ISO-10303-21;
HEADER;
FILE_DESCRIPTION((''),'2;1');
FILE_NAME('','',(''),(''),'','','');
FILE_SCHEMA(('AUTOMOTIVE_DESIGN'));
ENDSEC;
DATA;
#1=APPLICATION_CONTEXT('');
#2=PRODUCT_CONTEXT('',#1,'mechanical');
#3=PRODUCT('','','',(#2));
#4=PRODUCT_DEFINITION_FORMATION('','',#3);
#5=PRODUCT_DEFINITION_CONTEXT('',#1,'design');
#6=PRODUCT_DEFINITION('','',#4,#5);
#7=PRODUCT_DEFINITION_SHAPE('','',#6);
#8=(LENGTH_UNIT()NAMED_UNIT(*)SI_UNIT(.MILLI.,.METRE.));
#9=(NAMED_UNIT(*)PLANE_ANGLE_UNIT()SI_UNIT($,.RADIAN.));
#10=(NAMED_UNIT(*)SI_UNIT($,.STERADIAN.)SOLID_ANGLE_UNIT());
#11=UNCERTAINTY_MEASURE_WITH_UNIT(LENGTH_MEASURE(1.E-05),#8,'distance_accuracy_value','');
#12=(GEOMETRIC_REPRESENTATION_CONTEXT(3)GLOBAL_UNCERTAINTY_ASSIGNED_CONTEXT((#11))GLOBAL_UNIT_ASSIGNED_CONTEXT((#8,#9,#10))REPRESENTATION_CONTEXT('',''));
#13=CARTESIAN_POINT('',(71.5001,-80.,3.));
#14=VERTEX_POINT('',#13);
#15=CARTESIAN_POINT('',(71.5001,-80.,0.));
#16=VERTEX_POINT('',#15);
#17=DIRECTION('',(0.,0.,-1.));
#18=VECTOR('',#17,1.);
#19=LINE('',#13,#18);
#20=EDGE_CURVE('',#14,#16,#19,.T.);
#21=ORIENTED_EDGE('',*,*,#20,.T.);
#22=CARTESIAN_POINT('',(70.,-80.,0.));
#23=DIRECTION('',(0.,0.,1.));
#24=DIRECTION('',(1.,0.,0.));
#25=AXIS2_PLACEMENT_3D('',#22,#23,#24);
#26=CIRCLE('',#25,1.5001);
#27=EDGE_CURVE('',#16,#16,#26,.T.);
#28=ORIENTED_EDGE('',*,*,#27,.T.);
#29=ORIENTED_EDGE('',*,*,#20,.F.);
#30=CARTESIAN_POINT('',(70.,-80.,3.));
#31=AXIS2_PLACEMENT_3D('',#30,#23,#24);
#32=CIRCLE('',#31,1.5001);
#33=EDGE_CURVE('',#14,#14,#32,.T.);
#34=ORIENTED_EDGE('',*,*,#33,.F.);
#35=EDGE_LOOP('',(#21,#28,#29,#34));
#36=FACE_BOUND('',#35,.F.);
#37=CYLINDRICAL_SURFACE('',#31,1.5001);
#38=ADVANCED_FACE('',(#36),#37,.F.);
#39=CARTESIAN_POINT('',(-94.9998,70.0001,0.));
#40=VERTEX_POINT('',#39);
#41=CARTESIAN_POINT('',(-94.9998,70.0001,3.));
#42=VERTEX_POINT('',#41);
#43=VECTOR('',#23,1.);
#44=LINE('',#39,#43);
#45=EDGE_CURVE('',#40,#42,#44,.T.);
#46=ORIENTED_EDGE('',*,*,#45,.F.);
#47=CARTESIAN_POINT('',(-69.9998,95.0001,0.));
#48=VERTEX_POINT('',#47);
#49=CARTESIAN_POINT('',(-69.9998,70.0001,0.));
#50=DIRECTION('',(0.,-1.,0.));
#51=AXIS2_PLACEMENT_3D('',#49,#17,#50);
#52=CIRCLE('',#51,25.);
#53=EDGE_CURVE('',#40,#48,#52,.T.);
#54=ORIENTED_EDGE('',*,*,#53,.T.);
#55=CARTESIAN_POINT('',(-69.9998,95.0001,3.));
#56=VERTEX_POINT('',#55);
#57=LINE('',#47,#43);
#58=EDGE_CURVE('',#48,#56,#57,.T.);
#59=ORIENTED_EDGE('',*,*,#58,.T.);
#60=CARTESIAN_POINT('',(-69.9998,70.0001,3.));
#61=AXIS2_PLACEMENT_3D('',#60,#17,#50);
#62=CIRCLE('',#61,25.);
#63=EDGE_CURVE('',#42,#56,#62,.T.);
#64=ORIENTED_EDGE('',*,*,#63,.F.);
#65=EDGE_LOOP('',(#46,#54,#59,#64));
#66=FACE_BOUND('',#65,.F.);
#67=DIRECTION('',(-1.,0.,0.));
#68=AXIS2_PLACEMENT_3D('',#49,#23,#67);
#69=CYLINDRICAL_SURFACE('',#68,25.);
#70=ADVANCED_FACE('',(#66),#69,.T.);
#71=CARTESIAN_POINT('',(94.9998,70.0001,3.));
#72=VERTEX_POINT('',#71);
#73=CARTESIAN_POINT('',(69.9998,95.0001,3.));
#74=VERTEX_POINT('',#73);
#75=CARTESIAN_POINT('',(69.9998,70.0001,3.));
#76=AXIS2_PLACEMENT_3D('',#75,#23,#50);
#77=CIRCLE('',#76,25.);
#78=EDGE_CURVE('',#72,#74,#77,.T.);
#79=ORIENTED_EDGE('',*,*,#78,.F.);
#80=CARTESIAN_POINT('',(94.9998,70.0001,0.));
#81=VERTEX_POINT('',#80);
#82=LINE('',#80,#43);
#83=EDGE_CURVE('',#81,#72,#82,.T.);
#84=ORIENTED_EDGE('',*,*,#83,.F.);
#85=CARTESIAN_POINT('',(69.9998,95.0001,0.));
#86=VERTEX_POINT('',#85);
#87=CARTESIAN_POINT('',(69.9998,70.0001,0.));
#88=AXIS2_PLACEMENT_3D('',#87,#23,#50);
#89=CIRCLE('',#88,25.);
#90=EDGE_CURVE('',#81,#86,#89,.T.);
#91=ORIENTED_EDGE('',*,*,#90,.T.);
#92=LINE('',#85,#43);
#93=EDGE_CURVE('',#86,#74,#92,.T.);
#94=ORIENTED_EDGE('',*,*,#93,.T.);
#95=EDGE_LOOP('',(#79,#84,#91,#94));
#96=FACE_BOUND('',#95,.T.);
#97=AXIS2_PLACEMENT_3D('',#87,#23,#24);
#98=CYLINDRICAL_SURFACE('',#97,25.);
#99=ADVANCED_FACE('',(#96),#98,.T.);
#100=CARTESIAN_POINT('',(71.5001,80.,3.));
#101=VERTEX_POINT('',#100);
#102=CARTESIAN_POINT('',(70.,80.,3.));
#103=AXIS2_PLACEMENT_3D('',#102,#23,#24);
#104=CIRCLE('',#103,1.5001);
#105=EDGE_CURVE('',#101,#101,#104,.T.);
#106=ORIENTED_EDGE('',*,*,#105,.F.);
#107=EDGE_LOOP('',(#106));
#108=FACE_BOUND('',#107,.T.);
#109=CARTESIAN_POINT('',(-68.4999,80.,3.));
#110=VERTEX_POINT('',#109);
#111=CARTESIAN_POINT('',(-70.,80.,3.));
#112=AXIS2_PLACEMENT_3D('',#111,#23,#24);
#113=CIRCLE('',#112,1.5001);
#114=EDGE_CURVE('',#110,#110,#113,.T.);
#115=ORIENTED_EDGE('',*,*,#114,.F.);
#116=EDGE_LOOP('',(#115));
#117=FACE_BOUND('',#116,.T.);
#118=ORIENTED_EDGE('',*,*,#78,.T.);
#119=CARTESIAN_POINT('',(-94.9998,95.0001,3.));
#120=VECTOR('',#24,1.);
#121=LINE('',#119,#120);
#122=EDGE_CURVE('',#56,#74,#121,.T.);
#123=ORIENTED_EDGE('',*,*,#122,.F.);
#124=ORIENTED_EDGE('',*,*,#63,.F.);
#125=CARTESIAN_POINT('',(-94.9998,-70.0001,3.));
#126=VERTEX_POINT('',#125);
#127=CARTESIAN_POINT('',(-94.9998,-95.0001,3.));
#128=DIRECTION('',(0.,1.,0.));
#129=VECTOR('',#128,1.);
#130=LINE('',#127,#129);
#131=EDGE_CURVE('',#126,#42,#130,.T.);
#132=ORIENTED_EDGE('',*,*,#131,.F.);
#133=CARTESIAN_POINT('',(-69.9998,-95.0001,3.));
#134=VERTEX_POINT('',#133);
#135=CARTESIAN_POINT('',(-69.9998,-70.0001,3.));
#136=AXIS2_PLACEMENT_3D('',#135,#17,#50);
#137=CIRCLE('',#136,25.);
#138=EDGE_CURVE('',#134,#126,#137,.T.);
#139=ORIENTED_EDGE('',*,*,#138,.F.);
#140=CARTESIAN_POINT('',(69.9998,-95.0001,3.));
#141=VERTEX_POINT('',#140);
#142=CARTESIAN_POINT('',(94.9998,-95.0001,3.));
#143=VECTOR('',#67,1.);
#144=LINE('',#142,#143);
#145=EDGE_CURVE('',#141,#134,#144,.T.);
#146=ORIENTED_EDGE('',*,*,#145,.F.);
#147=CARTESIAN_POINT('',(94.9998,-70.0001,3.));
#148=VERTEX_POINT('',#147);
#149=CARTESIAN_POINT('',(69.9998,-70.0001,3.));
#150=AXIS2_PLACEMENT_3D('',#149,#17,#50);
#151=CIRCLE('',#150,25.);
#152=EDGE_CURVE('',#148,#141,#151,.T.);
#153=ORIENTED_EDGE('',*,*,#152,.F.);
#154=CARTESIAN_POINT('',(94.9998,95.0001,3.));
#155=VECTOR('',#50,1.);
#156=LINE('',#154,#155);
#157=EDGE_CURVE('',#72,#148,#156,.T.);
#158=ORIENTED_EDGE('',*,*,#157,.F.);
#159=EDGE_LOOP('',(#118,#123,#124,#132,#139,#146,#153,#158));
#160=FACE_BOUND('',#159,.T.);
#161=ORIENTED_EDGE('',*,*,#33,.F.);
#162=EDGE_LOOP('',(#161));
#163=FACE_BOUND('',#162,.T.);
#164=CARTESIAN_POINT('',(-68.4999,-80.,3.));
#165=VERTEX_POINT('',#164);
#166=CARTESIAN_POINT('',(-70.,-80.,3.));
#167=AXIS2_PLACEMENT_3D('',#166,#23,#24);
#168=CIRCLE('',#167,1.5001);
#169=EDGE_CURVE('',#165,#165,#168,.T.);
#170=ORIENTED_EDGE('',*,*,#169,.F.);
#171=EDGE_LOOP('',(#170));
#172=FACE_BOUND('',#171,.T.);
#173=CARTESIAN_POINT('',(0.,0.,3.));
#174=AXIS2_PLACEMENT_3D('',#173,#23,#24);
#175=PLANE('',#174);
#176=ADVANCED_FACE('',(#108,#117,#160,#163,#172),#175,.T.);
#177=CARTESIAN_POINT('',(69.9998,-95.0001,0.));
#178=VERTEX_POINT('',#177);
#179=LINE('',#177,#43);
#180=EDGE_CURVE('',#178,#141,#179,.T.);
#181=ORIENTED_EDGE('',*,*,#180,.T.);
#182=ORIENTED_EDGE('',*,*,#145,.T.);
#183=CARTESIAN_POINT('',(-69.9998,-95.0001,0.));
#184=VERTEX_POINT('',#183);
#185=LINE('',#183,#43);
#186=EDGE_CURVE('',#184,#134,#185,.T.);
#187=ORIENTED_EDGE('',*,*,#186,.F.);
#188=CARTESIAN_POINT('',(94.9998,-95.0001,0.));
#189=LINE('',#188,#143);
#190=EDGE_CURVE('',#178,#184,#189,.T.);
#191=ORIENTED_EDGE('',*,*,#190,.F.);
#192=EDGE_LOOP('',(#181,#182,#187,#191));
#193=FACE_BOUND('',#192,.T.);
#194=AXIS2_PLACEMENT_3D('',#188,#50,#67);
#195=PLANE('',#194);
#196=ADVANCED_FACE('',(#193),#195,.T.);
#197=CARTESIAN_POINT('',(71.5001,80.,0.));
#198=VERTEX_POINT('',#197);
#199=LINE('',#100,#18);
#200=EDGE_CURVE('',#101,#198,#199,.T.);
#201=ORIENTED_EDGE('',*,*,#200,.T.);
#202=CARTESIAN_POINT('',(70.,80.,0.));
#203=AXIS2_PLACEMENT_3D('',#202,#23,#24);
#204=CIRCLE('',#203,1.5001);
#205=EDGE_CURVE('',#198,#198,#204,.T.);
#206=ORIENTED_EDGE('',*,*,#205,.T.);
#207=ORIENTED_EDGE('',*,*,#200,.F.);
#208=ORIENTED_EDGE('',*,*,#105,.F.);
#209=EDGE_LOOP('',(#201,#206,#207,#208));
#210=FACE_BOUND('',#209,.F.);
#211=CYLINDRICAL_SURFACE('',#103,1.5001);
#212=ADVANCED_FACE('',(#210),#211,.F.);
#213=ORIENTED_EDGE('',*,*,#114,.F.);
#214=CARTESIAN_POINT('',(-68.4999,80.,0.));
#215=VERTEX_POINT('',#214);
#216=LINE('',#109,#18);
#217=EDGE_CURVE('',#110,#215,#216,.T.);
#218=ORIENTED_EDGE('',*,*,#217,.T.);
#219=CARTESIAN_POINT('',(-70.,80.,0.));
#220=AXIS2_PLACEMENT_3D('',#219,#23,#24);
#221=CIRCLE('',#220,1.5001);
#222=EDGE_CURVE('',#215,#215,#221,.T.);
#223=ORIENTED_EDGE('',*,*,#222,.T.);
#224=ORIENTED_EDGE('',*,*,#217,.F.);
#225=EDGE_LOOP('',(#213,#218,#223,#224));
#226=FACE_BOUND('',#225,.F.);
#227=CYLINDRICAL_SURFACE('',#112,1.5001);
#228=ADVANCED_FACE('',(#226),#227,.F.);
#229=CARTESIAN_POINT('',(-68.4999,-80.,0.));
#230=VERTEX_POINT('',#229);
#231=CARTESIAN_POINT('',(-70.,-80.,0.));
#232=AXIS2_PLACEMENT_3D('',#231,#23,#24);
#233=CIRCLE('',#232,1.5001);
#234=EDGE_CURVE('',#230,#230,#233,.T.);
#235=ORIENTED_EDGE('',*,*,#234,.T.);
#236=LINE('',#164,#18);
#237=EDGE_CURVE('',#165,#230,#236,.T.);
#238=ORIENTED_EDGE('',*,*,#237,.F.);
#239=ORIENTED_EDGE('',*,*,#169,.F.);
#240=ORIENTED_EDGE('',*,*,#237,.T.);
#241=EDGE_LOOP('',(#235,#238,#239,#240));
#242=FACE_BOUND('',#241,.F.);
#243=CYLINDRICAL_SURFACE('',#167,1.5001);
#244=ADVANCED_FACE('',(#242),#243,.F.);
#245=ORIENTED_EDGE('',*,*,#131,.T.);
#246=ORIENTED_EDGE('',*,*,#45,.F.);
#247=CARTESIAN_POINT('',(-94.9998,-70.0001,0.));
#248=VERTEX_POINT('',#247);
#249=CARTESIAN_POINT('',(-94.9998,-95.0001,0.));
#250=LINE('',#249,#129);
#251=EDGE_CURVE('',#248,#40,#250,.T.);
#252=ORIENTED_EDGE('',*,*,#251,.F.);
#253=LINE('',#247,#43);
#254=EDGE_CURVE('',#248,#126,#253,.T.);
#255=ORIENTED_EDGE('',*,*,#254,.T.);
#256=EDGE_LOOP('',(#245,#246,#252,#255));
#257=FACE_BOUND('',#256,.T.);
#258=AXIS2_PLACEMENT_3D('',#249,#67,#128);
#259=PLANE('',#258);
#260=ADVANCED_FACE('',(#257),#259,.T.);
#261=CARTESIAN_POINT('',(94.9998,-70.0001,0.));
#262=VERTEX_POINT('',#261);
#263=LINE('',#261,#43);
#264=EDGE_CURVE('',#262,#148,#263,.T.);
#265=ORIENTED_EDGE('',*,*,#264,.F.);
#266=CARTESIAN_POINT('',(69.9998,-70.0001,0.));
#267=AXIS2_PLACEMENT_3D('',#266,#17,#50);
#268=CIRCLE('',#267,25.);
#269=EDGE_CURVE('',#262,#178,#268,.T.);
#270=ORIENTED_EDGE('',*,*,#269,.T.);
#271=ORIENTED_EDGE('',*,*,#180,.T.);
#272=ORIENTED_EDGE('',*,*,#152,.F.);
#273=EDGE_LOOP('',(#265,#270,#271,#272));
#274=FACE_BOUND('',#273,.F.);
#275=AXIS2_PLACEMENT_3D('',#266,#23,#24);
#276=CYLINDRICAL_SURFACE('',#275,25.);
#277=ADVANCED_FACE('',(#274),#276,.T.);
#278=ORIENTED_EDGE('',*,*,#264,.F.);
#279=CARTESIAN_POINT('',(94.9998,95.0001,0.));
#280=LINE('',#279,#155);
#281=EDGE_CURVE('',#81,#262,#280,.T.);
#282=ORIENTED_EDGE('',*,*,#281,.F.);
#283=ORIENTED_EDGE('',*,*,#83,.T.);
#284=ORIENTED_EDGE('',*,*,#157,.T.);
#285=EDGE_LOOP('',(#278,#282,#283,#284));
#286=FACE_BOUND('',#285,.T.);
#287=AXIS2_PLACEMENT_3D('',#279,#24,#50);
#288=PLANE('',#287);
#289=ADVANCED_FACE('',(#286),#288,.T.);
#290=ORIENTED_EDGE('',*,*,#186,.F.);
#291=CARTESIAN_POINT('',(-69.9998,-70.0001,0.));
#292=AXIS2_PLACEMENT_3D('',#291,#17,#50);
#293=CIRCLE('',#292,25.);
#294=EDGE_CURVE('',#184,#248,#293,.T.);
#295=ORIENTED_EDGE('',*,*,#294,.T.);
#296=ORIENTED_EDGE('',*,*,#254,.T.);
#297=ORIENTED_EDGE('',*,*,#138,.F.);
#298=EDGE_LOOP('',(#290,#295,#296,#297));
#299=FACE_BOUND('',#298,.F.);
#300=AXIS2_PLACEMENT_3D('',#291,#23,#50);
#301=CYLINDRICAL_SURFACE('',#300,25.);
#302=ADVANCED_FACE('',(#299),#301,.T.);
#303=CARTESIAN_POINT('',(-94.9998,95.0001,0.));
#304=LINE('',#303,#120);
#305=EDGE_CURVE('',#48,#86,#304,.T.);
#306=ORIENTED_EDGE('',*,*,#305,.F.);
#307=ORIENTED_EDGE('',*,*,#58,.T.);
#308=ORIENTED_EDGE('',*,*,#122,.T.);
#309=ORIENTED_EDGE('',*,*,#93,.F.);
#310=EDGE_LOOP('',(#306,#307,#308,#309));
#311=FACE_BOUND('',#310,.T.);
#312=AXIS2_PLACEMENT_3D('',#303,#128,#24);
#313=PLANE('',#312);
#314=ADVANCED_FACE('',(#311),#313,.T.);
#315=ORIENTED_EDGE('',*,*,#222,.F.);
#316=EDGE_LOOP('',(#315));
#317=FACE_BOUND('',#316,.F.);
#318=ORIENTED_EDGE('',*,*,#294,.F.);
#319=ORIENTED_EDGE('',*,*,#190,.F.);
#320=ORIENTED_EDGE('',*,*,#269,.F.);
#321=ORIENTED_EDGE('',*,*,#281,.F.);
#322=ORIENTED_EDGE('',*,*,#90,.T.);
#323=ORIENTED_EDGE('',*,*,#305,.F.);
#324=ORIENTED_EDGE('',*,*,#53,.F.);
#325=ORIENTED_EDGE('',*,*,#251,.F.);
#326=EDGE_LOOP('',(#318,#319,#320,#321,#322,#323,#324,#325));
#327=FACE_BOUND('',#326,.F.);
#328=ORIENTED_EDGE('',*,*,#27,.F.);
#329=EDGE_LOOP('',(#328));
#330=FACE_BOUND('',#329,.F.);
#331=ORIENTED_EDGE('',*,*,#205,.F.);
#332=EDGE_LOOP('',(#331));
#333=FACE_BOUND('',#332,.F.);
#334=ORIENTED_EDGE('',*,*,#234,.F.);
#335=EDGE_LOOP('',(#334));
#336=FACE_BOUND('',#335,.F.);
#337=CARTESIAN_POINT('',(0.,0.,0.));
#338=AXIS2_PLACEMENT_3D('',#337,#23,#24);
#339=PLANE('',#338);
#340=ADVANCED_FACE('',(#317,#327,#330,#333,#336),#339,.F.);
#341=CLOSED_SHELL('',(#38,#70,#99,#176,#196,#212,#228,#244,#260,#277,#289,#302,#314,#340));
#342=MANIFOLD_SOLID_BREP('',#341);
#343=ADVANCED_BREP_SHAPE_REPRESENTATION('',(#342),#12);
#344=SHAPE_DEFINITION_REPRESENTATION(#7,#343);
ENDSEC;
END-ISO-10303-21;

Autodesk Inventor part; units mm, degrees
ref_plane "YZ Plane" through (0, 0, 0) normal (1, 0, 0) x (0, 1, 0)
ref_plane "XZ Plane" through (0, 0, 0) normal (0, 1, 0) x (-1, 0, 0)
ref_plane "XY Plane" through (0, 0, 0) normal (0, 0, 1) x (1, 0, 0)
sketch "Sketch1" plane through (0, 0, 0) normal (0, 0, 1) x (1, 0, 0)
  point P0 (0, 0)
sketch "Sketch2" plane through (0, 0, 0) normal (0, 0, 1) x (1, 0, 0)
  line L0 (94.9998, -95.0001) -> (-94.9998, -95.0001)
  line L1 (-94.9998, -95.0001) -> (-94.9998, 95.0001)
  line L2 (-94.9998, 95.0001) -> (94.9998, 95.0001)
  line L3 (94.9998, 95.0001) -> (94.9998, -95.0001)
  line L4 (94.9998, -95.0001) -> (-94.9998, 95.0001) construction
  line L5 (-94.9998, -95.0001) -> (94.9998, 95.0001) construction
  point P0 (0, 0)
extrude "Extrusion1" add sketch "Sketch2" along normal blind 3
sketch "Sketch3" plane through (0, 0, 3) normal (0, 0, 1) x (1, 0, 0)
  circle A0 centre (70, 80) radius 1.5001
  circle A1 centre (70, -80) radius 1.5001
  circle A2 centre (-70, 80) radius 1.5001
  circle A3 centre (-70, -80) radius 1.5001
extrude "Extrusion2" cut sketch "Sketch3" against normal blind 3
fillet "Fillet1" radius 25 1 edges at (94.9998, 95.0001, 1.5)
fillet "Fillet2" radius 25 1 edges at (94.9998, -95.0001, 1.5)
fillet "Fillet3" radius 25 1 edges at (-94.9998, -95.0001, 1.5)
fillet "Fillet4" radius 25 1 edges at (-94.9998, 95.0001, 1.5)
sketch "Pi mount holes" plane through (0, 0, 3) normal (0, 0, 1) x (1, 0, 0)
  circle A0 centre (24, -30.5) radius 1.2502
  circle A1 centre (-34, -30.5) radius 1.2502
  circle A2 centre (-34, -79.5) radius 1.2502
  circle A3 centre (24, -79.5) radius 1.2502
sketch "B205 mount holes" plane through (0, 0, 3) normal (0, 0, 1) x (1, 0, 0)
  circle A0 centre (20.32, 30.48) radius 1.5002
  circle A1 centre (-45.72, 30.48) radius 1.5002
  circle A2 centre (-45.72, -12.7) radius 1.5002
  circle A3 centre (20.32, -12.7) radius 1.5002
sketch "RM3100 mount holes" plane through (0, 0, 3) normal (0, 0, 1) x (1, 0, 0)
  circle A0 centre (0, 9) radius 0.9999
  circle A1 centre (0, -9) radius 0.9999
sketch "Pololu mount holes" plane through (0, 0, 3) normal (0, 0, 1) x (1, 0, 0)
  circle A0 centre (-73.2965, -23.9932) radius 1.1973
  circle A1 centre (-88.2965, -23.9932) radius 1.1973
  circle A2 centre (-73.2965, -59.4932) radius 1.1973
  circle A3 centre (-88.2965, -59.4932) radius 1.1973
sketch "B205 cable cutout" plane through (0, 0, 3) normal (0, 0, 1) x (1, 0, 0)
  line L0 (-76.0426, -14.5593) -> (-76.0426, 37.4411) construction
  line L1 (-81.5424, -9.0595) -> (-81.5424, 31.9413)
  line L2 (-70.5428, 31.9413) -> (-70.5428, -9.0595)
  arc A0 (-81.5424, -9.0595) -> (-70.5428, -9.0595) centre (-76.0426, -9.0595) ccw
  arc A1 (-70.5428, 31.9413) -> (-81.5424, 31.9413) centre (-76.0426, 31.9413) ccw
  point P0 (0, 0)
  point P1 (-76.0426, 11.4409)
sketch "Pi cable cutout" plane through (0, 0, 3) normal (0, 0, 1) x (1, 0, 0)
  line L0 (65.7382, -60.7056) -> (65.7382, 5.2939) construction
  line L1 (60.7378, -55.7052) -> (60.7378, 0.2935)
  line L2 (70.7387, 0.2935) -> (70.7387, -55.7052)
  arc A0 (60.7378, -55.7052) -> (70.7387, -55.7052) centre (65.7382, -55.7052) ccw
  arc A1 (70.7387, 0.2935) -> (60.7378, 0.2935) centre (65.7382, 0.2935) ccw
  point P0 (0, 0)
  point P1 (65.7382, -27.7058)
properties part number "payload_bay_square_drill_holes"
